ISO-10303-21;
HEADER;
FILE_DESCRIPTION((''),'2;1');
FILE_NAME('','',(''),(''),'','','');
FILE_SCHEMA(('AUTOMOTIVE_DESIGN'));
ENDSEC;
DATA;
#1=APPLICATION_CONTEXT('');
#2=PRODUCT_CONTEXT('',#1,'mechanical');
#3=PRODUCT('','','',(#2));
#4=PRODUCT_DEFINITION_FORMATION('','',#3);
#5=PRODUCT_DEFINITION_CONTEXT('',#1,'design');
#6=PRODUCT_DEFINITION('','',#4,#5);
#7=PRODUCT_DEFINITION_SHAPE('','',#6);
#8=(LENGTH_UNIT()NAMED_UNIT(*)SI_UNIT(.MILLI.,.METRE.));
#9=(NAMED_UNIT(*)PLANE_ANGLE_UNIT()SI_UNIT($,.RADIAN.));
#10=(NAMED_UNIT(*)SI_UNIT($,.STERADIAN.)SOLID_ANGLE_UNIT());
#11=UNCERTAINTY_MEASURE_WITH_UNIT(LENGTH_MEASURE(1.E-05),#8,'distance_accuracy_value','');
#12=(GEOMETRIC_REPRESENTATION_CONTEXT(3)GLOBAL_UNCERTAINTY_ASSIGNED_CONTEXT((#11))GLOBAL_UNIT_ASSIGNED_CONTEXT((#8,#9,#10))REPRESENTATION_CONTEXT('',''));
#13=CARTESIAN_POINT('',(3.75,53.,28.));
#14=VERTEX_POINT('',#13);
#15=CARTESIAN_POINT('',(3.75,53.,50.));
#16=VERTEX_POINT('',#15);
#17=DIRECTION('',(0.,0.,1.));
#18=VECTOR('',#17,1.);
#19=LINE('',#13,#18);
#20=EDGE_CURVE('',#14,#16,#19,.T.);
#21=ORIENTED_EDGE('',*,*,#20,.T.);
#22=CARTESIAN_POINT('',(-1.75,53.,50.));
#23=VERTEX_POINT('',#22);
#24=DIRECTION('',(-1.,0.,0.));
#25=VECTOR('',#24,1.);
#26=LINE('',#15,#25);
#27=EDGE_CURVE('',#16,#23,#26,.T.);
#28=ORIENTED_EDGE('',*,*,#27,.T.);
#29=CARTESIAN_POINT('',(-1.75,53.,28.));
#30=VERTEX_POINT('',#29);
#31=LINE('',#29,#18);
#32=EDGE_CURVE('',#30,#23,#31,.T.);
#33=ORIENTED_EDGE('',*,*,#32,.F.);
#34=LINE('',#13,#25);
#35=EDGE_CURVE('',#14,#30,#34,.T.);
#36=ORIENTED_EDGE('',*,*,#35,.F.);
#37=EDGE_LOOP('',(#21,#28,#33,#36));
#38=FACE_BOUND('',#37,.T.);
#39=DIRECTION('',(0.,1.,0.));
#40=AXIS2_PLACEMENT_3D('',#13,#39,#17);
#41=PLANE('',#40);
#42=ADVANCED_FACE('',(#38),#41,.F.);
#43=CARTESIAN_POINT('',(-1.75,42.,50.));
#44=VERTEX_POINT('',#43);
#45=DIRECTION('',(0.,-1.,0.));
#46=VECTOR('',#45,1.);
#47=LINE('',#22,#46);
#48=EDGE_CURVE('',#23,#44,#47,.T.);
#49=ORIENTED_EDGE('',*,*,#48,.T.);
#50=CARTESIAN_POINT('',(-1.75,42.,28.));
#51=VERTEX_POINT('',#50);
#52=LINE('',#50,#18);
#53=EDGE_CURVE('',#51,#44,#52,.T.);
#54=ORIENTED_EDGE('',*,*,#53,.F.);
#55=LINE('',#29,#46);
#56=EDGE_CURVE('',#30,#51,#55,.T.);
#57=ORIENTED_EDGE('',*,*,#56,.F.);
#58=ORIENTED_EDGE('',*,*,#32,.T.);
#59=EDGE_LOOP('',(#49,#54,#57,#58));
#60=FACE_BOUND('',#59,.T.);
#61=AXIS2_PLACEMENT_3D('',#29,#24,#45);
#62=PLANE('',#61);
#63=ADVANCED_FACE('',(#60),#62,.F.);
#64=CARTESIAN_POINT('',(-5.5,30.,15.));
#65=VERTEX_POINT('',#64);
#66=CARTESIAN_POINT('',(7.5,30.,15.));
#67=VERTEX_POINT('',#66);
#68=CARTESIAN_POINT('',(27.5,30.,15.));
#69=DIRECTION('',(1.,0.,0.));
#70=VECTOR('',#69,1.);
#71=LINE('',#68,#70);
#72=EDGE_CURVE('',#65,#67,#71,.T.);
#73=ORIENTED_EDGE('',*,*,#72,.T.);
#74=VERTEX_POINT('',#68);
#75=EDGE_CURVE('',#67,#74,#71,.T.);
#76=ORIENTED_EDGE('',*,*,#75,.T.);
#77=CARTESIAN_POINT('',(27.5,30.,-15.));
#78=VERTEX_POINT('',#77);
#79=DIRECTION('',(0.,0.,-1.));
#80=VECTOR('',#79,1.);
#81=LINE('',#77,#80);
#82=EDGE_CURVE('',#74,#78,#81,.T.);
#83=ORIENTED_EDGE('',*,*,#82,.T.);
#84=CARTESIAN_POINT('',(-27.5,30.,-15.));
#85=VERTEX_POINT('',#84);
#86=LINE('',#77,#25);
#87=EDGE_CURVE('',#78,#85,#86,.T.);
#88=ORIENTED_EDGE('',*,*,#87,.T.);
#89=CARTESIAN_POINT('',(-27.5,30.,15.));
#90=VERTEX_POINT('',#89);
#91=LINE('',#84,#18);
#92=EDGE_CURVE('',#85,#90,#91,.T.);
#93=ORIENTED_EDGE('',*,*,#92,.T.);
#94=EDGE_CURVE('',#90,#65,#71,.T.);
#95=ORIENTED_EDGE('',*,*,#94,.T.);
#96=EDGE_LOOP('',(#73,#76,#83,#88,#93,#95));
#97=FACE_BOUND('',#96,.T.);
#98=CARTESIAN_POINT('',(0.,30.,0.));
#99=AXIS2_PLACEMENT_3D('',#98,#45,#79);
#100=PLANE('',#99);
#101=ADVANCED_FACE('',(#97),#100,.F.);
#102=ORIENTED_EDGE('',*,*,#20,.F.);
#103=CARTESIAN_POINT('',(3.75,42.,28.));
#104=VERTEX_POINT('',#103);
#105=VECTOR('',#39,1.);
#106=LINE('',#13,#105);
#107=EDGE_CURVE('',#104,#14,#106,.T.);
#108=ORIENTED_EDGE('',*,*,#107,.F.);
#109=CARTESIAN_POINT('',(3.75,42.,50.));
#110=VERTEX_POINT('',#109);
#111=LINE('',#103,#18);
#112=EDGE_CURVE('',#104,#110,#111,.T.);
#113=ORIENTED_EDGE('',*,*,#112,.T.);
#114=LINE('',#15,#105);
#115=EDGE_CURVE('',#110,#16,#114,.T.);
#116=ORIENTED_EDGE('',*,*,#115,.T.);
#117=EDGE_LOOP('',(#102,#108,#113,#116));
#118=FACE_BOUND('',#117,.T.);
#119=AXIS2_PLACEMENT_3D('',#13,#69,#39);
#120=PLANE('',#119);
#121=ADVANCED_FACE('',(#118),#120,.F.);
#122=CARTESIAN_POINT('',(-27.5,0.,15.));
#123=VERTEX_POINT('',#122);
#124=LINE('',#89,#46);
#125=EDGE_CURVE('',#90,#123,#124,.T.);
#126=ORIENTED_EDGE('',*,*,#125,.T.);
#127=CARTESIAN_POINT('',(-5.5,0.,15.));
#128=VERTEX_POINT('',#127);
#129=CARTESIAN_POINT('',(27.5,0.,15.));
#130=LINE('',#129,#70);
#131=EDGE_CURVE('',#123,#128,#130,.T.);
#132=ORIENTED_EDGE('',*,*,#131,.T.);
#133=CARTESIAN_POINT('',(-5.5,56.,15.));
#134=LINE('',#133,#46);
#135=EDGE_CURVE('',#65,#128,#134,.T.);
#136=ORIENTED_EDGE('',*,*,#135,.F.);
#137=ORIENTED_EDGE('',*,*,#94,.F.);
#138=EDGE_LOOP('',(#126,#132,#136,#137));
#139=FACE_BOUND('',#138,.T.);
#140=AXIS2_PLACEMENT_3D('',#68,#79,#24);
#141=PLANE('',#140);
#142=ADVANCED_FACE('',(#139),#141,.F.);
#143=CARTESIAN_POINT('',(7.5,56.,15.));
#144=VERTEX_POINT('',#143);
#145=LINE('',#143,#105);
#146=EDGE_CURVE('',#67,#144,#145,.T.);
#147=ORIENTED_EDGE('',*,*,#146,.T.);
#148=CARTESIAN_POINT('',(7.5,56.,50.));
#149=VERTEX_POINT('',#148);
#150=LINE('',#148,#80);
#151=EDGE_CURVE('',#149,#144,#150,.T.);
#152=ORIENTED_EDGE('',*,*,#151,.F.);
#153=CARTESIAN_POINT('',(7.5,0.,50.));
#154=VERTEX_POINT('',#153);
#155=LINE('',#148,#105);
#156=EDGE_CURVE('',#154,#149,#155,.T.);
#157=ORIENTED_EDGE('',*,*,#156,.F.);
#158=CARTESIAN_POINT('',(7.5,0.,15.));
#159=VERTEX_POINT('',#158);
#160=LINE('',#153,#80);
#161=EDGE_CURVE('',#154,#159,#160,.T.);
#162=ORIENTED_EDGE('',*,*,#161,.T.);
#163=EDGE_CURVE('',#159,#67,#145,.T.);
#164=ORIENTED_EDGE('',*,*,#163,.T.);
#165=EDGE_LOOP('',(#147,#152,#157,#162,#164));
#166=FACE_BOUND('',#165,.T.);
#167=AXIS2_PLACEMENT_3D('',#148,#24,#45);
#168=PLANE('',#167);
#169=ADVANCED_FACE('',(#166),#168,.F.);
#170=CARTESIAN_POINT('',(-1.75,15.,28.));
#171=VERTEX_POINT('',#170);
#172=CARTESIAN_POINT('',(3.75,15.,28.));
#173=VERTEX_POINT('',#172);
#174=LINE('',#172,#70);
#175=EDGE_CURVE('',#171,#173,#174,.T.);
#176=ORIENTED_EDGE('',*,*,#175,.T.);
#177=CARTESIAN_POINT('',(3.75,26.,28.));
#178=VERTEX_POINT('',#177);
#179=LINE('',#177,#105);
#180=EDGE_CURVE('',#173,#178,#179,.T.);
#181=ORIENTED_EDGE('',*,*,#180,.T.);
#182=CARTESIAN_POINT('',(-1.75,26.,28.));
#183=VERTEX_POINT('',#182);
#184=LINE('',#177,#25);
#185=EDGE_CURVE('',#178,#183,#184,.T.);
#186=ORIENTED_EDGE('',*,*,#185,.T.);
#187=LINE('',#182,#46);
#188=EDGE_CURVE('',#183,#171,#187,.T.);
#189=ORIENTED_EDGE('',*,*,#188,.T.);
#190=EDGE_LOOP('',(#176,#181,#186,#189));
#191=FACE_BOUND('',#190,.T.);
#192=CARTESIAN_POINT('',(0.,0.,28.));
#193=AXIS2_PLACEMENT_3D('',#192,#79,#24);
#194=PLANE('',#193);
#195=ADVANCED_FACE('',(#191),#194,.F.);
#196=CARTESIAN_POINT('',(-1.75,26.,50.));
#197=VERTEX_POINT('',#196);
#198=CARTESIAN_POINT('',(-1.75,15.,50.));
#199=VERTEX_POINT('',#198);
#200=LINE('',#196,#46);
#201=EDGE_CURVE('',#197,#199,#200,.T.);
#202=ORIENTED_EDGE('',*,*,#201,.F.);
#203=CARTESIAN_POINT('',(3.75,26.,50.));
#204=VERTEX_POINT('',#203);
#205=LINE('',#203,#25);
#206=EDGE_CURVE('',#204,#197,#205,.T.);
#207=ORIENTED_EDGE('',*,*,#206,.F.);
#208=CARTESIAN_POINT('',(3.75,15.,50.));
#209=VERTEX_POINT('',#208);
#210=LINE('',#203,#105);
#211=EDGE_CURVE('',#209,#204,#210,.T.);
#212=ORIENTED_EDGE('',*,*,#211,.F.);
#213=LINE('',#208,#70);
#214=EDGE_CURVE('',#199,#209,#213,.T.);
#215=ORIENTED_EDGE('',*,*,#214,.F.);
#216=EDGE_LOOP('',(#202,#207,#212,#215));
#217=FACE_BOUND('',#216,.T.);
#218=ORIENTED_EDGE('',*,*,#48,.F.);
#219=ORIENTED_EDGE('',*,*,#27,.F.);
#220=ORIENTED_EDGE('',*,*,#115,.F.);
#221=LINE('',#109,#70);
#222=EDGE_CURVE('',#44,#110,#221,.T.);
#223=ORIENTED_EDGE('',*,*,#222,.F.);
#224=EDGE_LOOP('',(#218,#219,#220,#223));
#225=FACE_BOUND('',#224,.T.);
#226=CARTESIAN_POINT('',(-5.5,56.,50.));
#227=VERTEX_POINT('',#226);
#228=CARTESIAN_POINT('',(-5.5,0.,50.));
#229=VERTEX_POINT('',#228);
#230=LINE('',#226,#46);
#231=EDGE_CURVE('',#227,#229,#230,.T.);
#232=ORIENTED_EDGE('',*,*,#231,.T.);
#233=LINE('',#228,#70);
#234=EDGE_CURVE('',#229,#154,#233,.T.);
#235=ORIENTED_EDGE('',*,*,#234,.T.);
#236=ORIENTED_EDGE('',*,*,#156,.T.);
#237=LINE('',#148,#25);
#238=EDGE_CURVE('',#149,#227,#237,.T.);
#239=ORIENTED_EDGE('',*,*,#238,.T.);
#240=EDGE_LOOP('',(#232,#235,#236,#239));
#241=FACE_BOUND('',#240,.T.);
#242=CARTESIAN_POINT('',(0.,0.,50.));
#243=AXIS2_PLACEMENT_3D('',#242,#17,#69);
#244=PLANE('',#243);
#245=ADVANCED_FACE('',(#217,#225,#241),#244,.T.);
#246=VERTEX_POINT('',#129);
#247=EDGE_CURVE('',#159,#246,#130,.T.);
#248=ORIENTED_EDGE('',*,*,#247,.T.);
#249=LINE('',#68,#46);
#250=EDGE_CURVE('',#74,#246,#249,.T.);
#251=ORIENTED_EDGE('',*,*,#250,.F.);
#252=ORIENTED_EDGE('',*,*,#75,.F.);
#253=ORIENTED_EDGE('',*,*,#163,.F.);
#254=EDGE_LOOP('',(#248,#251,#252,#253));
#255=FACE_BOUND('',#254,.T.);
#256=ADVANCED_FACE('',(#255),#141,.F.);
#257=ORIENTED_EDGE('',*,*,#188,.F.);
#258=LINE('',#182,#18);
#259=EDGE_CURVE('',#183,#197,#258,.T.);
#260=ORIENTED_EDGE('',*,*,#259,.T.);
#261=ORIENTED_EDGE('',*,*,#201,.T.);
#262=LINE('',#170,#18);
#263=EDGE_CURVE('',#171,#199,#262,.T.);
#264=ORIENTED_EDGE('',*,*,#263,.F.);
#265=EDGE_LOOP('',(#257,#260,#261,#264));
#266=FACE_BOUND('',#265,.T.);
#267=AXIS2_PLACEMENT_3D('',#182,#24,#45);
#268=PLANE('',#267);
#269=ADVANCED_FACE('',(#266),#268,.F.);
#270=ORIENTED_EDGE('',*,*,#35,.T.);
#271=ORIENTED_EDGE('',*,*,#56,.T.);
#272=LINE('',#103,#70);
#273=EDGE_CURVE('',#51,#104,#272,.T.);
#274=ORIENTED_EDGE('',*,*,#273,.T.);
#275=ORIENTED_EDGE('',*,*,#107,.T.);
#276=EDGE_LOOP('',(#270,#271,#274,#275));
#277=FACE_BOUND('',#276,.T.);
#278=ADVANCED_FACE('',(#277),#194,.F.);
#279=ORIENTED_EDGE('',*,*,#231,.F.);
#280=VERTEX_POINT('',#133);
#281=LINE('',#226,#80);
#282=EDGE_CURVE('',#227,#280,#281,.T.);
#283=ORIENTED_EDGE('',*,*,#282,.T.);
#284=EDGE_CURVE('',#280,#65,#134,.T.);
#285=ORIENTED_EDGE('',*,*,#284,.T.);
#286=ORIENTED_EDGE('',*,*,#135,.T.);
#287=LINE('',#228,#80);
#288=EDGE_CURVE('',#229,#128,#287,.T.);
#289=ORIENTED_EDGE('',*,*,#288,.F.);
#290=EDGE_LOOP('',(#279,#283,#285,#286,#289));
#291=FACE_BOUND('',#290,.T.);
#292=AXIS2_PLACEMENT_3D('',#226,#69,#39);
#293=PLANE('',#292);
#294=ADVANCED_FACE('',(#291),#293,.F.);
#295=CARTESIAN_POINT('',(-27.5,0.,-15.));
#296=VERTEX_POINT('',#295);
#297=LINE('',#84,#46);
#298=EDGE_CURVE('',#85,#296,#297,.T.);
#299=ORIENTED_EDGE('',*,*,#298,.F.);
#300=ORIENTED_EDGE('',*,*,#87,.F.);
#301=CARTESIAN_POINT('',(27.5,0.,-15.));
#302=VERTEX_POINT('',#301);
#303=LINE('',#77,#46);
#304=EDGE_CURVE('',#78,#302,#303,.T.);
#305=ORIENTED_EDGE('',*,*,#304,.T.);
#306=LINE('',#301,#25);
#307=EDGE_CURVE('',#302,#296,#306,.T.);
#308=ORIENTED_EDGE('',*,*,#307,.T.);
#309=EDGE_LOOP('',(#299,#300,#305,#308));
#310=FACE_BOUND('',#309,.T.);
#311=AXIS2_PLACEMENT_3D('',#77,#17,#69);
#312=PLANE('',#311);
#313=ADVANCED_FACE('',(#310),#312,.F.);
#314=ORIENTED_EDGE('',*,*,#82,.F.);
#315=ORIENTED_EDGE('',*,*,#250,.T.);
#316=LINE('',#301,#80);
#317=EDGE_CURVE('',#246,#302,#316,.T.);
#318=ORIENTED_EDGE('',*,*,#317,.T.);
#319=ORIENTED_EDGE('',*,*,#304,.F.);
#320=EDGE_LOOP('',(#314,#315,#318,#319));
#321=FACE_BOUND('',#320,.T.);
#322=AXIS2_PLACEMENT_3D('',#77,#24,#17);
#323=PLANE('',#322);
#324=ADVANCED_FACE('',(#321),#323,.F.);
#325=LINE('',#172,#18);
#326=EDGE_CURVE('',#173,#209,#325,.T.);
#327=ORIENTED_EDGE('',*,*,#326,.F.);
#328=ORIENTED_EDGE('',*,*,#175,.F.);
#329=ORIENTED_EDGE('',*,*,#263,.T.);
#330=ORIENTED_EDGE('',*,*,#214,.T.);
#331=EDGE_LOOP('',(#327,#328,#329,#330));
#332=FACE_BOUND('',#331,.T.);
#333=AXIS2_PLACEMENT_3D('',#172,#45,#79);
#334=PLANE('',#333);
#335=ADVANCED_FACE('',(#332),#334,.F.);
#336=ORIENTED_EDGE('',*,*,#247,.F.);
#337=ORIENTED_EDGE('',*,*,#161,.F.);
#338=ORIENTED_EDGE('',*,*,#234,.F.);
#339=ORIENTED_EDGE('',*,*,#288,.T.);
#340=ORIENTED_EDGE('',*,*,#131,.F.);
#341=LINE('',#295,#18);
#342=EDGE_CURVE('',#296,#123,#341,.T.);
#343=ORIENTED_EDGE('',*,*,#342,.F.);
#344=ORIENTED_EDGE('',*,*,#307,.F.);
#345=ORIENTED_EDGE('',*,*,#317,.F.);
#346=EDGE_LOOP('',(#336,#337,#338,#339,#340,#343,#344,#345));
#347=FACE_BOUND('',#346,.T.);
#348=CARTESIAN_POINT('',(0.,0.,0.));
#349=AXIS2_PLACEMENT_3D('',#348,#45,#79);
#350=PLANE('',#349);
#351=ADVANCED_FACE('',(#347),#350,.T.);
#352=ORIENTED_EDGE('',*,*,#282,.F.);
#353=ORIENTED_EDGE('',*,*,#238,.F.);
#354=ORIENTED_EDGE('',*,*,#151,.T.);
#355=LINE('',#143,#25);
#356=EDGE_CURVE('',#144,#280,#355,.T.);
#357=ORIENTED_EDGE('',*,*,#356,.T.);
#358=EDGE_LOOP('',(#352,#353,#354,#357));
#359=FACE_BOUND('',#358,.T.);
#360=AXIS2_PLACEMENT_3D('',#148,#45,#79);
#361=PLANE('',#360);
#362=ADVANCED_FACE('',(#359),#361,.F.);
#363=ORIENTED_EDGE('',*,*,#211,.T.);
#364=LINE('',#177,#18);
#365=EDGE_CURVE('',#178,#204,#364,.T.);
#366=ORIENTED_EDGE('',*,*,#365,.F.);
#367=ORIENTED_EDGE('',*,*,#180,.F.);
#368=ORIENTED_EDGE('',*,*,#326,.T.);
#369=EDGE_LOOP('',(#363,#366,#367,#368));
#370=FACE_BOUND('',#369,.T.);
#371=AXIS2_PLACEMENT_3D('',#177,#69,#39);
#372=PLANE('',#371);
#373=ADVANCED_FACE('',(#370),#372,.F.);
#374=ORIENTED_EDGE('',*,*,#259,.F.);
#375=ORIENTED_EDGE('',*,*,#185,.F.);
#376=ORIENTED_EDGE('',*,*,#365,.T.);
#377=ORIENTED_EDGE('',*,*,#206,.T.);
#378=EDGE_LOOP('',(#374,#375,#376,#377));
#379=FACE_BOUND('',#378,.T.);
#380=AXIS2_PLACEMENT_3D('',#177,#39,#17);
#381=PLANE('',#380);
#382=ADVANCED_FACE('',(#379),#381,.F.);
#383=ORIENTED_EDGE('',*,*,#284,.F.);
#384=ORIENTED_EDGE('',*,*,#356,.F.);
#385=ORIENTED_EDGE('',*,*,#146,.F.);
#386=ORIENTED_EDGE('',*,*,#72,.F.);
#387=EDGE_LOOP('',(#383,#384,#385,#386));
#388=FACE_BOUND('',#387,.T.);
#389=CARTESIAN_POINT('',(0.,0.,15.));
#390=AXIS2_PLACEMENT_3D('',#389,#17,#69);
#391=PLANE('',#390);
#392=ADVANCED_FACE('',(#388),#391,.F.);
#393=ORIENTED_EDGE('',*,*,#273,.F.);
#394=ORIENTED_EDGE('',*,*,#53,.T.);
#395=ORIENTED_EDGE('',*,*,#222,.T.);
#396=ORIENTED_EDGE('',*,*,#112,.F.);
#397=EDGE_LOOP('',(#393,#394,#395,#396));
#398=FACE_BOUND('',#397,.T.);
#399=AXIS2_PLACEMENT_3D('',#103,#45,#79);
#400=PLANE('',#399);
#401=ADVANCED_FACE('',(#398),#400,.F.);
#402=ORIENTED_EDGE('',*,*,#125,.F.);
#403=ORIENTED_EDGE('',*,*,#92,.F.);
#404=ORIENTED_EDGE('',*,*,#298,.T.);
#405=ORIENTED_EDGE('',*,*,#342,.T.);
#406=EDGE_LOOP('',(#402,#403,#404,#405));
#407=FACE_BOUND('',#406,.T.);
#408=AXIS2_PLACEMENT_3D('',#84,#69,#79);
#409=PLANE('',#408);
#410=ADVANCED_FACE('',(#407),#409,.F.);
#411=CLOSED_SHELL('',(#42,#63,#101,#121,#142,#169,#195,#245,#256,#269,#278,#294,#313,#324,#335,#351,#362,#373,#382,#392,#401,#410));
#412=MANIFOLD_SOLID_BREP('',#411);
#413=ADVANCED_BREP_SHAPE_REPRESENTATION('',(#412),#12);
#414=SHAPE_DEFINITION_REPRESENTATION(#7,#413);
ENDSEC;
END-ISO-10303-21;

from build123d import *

# Parameters (mm, degrees)
SKETCH1_W           = 55
SKETCH1_H           = 30
BOSS_EXTRUDE1_DEPTH = 30
SKETCH2_W           = 13
SKETCH2_H           = 56
BOSS_EXTRUDE2_DEPTH = 35
SKETCH3_W           = 5.5
SKETCH3_H           = 11
CUT_EXTRUDE1_DEPTH  = 22


with BuildPart() as part:
    # Sketch1 → Boss-Extrude1 (new body)
    with BuildSketch(Plane(origin=(0, 0, 0), x_dir=(1, 0, 0), z_dir=(0, 1, 0))):
        Rectangle(SKETCH1_W, SKETCH1_H)
    extrude(amount=BOSS_EXTRUDE1_DEPTH)

    # Sketch2 → Boss-Extrude2 (add)
    with BuildSketch(Plane.XY.offset(15)):
        with Locations((1, 28)):
            Rectangle(SKETCH2_W, SKETCH2_H)
    extrude(amount=BOSS_EXTRUDE2_DEPTH)

    # Sketch3 → Cut-Extrude1 (cut)
    with BuildSketch(Plane.XY.offset(50)):
        with Locations((1, 20.5)):
            Rectangle(SKETCH3_W, SKETCH3_H)
        with Locations((1, 47.5)):
            Rectangle(SKETCH3_W, SKETCH3_H)
    extrude(amount=-CUT_EXTRUDE1_DEPTH, mode=Mode.SUBTRACT)


solid = part.part
